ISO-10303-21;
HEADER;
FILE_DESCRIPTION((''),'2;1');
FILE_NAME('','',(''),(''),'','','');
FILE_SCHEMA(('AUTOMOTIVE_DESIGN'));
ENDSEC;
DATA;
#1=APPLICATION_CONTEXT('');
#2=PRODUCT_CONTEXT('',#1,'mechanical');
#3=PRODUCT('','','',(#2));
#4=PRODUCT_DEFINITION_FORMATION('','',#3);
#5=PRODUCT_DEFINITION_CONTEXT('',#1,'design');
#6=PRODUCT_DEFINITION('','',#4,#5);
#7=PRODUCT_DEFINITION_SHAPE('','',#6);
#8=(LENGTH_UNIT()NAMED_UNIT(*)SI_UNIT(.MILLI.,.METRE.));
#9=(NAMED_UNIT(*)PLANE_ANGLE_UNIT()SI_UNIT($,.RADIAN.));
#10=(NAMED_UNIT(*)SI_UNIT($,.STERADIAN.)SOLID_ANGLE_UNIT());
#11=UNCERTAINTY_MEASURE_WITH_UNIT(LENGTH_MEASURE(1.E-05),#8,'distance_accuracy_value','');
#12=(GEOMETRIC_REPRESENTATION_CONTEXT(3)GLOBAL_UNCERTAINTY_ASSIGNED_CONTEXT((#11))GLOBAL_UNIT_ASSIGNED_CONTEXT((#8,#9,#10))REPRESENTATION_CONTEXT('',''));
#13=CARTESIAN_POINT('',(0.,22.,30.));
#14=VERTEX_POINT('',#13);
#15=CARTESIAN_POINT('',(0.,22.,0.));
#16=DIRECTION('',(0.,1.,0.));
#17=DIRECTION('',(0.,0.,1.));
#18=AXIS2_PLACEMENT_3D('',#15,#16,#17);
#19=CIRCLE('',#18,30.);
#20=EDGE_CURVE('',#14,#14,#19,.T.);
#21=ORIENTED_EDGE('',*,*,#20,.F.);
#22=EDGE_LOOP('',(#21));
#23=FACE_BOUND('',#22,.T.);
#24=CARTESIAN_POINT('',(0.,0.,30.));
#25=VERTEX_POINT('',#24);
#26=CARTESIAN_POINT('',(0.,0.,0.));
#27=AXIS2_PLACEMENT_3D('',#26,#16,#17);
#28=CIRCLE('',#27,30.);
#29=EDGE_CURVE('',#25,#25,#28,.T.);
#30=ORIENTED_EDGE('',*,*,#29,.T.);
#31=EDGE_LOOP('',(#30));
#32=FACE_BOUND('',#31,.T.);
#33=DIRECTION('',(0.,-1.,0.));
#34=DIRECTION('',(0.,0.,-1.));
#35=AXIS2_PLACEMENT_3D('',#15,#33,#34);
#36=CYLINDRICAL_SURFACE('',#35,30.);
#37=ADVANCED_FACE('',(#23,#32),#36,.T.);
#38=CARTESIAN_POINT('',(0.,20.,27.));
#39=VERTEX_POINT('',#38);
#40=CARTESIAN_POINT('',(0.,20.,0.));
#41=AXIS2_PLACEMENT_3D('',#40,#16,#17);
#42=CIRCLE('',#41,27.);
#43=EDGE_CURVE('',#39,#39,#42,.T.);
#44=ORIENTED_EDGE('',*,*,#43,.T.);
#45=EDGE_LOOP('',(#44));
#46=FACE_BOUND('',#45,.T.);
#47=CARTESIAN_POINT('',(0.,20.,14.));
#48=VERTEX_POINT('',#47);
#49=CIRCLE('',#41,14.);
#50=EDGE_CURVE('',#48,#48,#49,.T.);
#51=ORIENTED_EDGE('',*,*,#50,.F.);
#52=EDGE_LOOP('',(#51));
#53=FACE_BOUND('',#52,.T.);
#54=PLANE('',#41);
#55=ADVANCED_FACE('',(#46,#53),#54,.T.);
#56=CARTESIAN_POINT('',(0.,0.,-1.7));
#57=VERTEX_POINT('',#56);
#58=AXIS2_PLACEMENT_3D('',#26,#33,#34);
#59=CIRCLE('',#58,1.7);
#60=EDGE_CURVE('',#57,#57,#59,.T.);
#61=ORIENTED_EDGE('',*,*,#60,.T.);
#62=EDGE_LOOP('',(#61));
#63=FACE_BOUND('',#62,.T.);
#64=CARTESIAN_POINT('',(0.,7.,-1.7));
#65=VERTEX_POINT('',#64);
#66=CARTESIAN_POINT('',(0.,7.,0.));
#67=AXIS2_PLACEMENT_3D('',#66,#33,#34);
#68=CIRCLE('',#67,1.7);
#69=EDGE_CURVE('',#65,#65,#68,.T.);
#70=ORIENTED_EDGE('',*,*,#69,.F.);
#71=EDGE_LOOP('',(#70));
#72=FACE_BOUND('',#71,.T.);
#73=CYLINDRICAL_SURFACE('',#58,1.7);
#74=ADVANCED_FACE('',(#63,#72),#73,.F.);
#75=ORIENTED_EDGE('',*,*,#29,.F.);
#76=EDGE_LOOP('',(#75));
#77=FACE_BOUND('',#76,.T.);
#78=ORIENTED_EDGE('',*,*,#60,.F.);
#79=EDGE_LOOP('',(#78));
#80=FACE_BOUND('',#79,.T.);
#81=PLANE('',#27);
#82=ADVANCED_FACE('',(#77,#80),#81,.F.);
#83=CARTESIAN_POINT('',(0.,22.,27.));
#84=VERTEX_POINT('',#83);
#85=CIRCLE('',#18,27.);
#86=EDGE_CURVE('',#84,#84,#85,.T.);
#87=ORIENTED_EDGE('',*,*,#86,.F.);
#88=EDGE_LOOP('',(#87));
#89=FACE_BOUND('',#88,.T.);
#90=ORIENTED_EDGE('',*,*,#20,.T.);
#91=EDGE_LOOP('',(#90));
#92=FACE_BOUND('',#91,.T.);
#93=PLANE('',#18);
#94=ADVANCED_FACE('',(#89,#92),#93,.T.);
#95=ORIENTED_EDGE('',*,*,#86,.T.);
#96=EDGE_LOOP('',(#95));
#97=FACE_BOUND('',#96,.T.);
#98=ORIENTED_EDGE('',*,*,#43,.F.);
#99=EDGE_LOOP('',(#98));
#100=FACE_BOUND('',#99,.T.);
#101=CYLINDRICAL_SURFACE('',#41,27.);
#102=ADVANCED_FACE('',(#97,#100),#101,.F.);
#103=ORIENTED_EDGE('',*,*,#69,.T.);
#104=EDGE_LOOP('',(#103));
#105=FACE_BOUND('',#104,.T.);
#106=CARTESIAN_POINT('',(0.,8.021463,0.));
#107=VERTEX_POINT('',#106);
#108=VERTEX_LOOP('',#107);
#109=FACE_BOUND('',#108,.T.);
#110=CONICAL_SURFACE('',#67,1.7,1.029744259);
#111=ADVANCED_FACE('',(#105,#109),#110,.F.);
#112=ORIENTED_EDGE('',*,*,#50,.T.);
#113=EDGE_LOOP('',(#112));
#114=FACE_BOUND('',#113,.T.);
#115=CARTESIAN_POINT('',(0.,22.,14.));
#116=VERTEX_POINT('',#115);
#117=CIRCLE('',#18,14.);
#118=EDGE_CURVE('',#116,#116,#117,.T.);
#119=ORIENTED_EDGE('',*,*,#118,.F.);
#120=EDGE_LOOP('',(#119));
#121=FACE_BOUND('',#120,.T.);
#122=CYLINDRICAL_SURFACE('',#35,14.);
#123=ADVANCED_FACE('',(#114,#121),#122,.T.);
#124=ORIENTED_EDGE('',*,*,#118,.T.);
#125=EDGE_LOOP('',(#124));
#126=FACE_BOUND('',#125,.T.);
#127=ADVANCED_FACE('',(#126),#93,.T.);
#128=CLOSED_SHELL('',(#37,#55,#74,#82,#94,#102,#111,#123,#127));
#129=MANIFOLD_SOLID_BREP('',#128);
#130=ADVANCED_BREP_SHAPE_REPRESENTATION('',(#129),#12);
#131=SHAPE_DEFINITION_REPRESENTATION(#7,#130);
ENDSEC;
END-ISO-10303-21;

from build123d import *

# Parameters (mm, degrees)
SKETCH1_R                = 30
BOSS_EXTRUDE1_DEPTH      = 22
SKETCH2_R                = 27
CUT_EXTRUDE1_DEPTH       = 2
SKETCH3_R                = 14
BOSS_EXTRUDE2_DEPTH      = 2
M3_CLEARANCE_HOLE1_D     = 3.4
M3_CLEARANCE_HOLE1_DEPTH = 7
M3_CLEARANCE_HOLE1_TIP   = 1.021463052


with BuildPart() as part:
    # Sketch1 → Boss-Extrude1 (new body)
    with BuildSketch(Plane(origin=(0, 0, 0), x_dir=(1, 0, 0), z_dir=(0, 1, 0))):
        with Locations(Location((0, 0, 0), (0, 0, 270))):
            Circle(SKETCH1_R)
    extrude(amount=BOSS_EXTRUDE1_DEPTH)

    # Sketch2 → Cut-Extrude1 (cut)
    with BuildSketch(Plane(origin=(0, 22, 0), x_dir=(1, 0, 0), z_dir=(0, 1, 0))):
        with Locations(Location((0, 0, 0), (0, 0, 270))):
            Circle(SKETCH2_R)
    extrude(amount=-CUT_EXTRUDE1_DEPTH, mode=Mode.SUBTRACT)

    # Sketch3 → Boss-Extrude2 (add)
    with BuildSketch(Plane(origin=(0, 20, 0), x_dir=(1, 0, 0), z_dir=(0, 1, 0))):
        with Locations(Location((0, 0, 0), (0, 0, 270))):
            Circle(SKETCH3_R)
    extrude(amount=BOSS_EXTRUDE2_DEPTH)

    # M3 Clearance Hole1
    with Locations(Plane(origin=(0, 0, 0), x_dir=(-1, 0, 0), z_dir=(0, -1, 0))):
        with Locations((0, 0)):
            Hole(M3_CLEARANCE_HOLE1_D / 2, depth=M3_CLEARANCE_HOLE1_DEPTH)
            with Locations((0, 0, -(M3_CLEARANCE_HOLE1_DEPTH + M3_CLEARANCE_HOLE1_TIP / 2))):  # 118° drill point
                Cone(0, M3_CLEARANCE_HOLE1_D / 2, M3_CLEARANCE_HOLE1_TIP, mode=Mode.SUBTRACT)


solid = part.part
